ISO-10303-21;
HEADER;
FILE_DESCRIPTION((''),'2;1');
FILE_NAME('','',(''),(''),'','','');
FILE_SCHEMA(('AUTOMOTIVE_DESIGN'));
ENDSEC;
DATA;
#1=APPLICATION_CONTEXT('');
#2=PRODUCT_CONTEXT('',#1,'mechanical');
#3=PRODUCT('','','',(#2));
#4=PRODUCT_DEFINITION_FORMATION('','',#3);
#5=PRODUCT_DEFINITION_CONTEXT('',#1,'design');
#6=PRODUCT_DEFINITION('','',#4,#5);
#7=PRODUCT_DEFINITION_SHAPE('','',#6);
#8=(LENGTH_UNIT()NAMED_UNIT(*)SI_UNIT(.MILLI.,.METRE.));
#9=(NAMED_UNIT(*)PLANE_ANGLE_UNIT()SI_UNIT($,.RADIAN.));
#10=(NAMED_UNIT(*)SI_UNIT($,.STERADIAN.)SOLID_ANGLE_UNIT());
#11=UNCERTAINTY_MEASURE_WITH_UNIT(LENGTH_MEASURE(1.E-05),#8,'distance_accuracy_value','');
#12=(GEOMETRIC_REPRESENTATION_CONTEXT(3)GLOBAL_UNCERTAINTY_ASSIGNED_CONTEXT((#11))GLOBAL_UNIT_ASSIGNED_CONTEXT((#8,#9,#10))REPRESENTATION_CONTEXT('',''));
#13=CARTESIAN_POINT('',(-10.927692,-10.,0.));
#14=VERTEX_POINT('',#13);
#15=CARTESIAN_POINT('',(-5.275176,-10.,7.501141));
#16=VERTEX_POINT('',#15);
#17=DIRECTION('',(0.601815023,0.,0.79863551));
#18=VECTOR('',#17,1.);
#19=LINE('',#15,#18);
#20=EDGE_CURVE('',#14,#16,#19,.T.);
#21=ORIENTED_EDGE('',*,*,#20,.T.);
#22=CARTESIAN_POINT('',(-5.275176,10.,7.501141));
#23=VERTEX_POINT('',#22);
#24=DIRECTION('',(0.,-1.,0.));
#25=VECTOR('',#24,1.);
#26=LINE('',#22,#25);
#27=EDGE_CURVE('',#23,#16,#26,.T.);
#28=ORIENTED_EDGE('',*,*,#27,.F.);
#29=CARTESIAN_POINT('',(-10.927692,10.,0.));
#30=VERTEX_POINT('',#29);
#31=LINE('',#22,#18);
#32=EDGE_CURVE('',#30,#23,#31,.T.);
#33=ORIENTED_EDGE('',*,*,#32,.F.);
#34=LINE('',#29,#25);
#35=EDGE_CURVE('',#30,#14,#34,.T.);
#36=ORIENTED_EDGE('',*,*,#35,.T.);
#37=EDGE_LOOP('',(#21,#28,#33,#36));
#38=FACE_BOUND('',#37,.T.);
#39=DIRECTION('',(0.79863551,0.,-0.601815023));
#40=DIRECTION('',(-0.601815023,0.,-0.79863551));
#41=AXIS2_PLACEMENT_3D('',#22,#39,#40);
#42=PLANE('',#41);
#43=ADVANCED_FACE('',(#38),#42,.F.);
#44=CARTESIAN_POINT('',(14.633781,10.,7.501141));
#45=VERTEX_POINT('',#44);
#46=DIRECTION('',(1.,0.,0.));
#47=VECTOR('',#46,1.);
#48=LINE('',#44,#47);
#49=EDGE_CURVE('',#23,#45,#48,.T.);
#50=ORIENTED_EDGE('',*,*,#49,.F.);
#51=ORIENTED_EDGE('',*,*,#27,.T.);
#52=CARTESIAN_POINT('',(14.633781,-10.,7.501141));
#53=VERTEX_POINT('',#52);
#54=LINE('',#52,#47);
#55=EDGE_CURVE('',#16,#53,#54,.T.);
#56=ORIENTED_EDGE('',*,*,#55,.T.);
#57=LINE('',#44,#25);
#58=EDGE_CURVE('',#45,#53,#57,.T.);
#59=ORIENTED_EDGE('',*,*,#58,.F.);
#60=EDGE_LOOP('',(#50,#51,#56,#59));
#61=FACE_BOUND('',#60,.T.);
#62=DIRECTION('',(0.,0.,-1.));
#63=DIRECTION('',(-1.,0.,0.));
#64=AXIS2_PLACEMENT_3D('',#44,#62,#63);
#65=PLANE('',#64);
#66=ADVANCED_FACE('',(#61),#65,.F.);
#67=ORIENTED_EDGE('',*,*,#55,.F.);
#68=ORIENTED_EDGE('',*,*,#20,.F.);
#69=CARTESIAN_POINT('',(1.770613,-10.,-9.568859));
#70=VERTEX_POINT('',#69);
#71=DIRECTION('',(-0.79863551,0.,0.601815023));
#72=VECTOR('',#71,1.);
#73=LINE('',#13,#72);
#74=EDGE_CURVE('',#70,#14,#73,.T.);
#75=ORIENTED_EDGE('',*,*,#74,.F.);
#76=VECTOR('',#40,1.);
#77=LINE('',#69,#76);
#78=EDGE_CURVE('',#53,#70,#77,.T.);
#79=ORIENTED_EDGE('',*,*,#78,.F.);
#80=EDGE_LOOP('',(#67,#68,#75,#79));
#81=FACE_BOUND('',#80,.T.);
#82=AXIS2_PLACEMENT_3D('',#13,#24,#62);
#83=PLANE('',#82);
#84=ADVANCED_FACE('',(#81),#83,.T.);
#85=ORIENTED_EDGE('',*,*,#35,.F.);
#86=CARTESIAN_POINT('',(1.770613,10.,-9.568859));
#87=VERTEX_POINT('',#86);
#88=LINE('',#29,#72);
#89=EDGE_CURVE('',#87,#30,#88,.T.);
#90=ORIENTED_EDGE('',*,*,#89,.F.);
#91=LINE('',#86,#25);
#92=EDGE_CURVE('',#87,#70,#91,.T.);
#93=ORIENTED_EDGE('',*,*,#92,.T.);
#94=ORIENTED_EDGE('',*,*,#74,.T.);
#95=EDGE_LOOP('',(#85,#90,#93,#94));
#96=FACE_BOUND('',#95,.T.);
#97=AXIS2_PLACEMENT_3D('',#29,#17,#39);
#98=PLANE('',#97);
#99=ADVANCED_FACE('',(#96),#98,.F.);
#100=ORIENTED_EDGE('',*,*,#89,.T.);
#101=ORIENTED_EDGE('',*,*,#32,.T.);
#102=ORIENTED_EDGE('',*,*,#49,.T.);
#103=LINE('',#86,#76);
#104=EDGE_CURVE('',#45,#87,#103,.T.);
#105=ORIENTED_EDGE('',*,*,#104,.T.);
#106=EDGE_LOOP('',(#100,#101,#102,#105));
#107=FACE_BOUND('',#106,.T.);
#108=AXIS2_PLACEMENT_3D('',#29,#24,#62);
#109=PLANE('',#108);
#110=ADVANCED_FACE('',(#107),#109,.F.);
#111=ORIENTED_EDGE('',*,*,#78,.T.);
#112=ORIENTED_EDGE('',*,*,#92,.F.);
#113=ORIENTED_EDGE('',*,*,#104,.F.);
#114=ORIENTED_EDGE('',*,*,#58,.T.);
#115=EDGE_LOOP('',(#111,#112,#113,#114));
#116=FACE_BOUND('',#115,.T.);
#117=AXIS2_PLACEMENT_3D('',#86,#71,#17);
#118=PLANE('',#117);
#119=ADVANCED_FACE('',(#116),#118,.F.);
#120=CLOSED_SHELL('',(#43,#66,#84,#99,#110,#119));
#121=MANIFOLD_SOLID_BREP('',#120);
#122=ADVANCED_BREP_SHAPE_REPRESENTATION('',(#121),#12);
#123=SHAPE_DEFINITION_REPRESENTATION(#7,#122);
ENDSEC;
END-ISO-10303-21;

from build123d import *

# Parameters (mm, degrees)
EXTRUDE_1_DEPTH = 20


with BuildPart() as part:
    # Эскиз1 → Бобышка-Вытянуть1 (new body)
    with BuildSketch(Plane(origin=(0, -10, 0), x_dir=(1, 0, 0), z_dir=(0, 1, 0))):
        Polygon((-10.927691668, 0), (1.770612942, 9.568858868), (14.633780577, -7.501141132), (-5.275176387, -7.501141132), align=None)
    extrude(amount=EXTRUDE_1_DEPTH)


solid = part.part
